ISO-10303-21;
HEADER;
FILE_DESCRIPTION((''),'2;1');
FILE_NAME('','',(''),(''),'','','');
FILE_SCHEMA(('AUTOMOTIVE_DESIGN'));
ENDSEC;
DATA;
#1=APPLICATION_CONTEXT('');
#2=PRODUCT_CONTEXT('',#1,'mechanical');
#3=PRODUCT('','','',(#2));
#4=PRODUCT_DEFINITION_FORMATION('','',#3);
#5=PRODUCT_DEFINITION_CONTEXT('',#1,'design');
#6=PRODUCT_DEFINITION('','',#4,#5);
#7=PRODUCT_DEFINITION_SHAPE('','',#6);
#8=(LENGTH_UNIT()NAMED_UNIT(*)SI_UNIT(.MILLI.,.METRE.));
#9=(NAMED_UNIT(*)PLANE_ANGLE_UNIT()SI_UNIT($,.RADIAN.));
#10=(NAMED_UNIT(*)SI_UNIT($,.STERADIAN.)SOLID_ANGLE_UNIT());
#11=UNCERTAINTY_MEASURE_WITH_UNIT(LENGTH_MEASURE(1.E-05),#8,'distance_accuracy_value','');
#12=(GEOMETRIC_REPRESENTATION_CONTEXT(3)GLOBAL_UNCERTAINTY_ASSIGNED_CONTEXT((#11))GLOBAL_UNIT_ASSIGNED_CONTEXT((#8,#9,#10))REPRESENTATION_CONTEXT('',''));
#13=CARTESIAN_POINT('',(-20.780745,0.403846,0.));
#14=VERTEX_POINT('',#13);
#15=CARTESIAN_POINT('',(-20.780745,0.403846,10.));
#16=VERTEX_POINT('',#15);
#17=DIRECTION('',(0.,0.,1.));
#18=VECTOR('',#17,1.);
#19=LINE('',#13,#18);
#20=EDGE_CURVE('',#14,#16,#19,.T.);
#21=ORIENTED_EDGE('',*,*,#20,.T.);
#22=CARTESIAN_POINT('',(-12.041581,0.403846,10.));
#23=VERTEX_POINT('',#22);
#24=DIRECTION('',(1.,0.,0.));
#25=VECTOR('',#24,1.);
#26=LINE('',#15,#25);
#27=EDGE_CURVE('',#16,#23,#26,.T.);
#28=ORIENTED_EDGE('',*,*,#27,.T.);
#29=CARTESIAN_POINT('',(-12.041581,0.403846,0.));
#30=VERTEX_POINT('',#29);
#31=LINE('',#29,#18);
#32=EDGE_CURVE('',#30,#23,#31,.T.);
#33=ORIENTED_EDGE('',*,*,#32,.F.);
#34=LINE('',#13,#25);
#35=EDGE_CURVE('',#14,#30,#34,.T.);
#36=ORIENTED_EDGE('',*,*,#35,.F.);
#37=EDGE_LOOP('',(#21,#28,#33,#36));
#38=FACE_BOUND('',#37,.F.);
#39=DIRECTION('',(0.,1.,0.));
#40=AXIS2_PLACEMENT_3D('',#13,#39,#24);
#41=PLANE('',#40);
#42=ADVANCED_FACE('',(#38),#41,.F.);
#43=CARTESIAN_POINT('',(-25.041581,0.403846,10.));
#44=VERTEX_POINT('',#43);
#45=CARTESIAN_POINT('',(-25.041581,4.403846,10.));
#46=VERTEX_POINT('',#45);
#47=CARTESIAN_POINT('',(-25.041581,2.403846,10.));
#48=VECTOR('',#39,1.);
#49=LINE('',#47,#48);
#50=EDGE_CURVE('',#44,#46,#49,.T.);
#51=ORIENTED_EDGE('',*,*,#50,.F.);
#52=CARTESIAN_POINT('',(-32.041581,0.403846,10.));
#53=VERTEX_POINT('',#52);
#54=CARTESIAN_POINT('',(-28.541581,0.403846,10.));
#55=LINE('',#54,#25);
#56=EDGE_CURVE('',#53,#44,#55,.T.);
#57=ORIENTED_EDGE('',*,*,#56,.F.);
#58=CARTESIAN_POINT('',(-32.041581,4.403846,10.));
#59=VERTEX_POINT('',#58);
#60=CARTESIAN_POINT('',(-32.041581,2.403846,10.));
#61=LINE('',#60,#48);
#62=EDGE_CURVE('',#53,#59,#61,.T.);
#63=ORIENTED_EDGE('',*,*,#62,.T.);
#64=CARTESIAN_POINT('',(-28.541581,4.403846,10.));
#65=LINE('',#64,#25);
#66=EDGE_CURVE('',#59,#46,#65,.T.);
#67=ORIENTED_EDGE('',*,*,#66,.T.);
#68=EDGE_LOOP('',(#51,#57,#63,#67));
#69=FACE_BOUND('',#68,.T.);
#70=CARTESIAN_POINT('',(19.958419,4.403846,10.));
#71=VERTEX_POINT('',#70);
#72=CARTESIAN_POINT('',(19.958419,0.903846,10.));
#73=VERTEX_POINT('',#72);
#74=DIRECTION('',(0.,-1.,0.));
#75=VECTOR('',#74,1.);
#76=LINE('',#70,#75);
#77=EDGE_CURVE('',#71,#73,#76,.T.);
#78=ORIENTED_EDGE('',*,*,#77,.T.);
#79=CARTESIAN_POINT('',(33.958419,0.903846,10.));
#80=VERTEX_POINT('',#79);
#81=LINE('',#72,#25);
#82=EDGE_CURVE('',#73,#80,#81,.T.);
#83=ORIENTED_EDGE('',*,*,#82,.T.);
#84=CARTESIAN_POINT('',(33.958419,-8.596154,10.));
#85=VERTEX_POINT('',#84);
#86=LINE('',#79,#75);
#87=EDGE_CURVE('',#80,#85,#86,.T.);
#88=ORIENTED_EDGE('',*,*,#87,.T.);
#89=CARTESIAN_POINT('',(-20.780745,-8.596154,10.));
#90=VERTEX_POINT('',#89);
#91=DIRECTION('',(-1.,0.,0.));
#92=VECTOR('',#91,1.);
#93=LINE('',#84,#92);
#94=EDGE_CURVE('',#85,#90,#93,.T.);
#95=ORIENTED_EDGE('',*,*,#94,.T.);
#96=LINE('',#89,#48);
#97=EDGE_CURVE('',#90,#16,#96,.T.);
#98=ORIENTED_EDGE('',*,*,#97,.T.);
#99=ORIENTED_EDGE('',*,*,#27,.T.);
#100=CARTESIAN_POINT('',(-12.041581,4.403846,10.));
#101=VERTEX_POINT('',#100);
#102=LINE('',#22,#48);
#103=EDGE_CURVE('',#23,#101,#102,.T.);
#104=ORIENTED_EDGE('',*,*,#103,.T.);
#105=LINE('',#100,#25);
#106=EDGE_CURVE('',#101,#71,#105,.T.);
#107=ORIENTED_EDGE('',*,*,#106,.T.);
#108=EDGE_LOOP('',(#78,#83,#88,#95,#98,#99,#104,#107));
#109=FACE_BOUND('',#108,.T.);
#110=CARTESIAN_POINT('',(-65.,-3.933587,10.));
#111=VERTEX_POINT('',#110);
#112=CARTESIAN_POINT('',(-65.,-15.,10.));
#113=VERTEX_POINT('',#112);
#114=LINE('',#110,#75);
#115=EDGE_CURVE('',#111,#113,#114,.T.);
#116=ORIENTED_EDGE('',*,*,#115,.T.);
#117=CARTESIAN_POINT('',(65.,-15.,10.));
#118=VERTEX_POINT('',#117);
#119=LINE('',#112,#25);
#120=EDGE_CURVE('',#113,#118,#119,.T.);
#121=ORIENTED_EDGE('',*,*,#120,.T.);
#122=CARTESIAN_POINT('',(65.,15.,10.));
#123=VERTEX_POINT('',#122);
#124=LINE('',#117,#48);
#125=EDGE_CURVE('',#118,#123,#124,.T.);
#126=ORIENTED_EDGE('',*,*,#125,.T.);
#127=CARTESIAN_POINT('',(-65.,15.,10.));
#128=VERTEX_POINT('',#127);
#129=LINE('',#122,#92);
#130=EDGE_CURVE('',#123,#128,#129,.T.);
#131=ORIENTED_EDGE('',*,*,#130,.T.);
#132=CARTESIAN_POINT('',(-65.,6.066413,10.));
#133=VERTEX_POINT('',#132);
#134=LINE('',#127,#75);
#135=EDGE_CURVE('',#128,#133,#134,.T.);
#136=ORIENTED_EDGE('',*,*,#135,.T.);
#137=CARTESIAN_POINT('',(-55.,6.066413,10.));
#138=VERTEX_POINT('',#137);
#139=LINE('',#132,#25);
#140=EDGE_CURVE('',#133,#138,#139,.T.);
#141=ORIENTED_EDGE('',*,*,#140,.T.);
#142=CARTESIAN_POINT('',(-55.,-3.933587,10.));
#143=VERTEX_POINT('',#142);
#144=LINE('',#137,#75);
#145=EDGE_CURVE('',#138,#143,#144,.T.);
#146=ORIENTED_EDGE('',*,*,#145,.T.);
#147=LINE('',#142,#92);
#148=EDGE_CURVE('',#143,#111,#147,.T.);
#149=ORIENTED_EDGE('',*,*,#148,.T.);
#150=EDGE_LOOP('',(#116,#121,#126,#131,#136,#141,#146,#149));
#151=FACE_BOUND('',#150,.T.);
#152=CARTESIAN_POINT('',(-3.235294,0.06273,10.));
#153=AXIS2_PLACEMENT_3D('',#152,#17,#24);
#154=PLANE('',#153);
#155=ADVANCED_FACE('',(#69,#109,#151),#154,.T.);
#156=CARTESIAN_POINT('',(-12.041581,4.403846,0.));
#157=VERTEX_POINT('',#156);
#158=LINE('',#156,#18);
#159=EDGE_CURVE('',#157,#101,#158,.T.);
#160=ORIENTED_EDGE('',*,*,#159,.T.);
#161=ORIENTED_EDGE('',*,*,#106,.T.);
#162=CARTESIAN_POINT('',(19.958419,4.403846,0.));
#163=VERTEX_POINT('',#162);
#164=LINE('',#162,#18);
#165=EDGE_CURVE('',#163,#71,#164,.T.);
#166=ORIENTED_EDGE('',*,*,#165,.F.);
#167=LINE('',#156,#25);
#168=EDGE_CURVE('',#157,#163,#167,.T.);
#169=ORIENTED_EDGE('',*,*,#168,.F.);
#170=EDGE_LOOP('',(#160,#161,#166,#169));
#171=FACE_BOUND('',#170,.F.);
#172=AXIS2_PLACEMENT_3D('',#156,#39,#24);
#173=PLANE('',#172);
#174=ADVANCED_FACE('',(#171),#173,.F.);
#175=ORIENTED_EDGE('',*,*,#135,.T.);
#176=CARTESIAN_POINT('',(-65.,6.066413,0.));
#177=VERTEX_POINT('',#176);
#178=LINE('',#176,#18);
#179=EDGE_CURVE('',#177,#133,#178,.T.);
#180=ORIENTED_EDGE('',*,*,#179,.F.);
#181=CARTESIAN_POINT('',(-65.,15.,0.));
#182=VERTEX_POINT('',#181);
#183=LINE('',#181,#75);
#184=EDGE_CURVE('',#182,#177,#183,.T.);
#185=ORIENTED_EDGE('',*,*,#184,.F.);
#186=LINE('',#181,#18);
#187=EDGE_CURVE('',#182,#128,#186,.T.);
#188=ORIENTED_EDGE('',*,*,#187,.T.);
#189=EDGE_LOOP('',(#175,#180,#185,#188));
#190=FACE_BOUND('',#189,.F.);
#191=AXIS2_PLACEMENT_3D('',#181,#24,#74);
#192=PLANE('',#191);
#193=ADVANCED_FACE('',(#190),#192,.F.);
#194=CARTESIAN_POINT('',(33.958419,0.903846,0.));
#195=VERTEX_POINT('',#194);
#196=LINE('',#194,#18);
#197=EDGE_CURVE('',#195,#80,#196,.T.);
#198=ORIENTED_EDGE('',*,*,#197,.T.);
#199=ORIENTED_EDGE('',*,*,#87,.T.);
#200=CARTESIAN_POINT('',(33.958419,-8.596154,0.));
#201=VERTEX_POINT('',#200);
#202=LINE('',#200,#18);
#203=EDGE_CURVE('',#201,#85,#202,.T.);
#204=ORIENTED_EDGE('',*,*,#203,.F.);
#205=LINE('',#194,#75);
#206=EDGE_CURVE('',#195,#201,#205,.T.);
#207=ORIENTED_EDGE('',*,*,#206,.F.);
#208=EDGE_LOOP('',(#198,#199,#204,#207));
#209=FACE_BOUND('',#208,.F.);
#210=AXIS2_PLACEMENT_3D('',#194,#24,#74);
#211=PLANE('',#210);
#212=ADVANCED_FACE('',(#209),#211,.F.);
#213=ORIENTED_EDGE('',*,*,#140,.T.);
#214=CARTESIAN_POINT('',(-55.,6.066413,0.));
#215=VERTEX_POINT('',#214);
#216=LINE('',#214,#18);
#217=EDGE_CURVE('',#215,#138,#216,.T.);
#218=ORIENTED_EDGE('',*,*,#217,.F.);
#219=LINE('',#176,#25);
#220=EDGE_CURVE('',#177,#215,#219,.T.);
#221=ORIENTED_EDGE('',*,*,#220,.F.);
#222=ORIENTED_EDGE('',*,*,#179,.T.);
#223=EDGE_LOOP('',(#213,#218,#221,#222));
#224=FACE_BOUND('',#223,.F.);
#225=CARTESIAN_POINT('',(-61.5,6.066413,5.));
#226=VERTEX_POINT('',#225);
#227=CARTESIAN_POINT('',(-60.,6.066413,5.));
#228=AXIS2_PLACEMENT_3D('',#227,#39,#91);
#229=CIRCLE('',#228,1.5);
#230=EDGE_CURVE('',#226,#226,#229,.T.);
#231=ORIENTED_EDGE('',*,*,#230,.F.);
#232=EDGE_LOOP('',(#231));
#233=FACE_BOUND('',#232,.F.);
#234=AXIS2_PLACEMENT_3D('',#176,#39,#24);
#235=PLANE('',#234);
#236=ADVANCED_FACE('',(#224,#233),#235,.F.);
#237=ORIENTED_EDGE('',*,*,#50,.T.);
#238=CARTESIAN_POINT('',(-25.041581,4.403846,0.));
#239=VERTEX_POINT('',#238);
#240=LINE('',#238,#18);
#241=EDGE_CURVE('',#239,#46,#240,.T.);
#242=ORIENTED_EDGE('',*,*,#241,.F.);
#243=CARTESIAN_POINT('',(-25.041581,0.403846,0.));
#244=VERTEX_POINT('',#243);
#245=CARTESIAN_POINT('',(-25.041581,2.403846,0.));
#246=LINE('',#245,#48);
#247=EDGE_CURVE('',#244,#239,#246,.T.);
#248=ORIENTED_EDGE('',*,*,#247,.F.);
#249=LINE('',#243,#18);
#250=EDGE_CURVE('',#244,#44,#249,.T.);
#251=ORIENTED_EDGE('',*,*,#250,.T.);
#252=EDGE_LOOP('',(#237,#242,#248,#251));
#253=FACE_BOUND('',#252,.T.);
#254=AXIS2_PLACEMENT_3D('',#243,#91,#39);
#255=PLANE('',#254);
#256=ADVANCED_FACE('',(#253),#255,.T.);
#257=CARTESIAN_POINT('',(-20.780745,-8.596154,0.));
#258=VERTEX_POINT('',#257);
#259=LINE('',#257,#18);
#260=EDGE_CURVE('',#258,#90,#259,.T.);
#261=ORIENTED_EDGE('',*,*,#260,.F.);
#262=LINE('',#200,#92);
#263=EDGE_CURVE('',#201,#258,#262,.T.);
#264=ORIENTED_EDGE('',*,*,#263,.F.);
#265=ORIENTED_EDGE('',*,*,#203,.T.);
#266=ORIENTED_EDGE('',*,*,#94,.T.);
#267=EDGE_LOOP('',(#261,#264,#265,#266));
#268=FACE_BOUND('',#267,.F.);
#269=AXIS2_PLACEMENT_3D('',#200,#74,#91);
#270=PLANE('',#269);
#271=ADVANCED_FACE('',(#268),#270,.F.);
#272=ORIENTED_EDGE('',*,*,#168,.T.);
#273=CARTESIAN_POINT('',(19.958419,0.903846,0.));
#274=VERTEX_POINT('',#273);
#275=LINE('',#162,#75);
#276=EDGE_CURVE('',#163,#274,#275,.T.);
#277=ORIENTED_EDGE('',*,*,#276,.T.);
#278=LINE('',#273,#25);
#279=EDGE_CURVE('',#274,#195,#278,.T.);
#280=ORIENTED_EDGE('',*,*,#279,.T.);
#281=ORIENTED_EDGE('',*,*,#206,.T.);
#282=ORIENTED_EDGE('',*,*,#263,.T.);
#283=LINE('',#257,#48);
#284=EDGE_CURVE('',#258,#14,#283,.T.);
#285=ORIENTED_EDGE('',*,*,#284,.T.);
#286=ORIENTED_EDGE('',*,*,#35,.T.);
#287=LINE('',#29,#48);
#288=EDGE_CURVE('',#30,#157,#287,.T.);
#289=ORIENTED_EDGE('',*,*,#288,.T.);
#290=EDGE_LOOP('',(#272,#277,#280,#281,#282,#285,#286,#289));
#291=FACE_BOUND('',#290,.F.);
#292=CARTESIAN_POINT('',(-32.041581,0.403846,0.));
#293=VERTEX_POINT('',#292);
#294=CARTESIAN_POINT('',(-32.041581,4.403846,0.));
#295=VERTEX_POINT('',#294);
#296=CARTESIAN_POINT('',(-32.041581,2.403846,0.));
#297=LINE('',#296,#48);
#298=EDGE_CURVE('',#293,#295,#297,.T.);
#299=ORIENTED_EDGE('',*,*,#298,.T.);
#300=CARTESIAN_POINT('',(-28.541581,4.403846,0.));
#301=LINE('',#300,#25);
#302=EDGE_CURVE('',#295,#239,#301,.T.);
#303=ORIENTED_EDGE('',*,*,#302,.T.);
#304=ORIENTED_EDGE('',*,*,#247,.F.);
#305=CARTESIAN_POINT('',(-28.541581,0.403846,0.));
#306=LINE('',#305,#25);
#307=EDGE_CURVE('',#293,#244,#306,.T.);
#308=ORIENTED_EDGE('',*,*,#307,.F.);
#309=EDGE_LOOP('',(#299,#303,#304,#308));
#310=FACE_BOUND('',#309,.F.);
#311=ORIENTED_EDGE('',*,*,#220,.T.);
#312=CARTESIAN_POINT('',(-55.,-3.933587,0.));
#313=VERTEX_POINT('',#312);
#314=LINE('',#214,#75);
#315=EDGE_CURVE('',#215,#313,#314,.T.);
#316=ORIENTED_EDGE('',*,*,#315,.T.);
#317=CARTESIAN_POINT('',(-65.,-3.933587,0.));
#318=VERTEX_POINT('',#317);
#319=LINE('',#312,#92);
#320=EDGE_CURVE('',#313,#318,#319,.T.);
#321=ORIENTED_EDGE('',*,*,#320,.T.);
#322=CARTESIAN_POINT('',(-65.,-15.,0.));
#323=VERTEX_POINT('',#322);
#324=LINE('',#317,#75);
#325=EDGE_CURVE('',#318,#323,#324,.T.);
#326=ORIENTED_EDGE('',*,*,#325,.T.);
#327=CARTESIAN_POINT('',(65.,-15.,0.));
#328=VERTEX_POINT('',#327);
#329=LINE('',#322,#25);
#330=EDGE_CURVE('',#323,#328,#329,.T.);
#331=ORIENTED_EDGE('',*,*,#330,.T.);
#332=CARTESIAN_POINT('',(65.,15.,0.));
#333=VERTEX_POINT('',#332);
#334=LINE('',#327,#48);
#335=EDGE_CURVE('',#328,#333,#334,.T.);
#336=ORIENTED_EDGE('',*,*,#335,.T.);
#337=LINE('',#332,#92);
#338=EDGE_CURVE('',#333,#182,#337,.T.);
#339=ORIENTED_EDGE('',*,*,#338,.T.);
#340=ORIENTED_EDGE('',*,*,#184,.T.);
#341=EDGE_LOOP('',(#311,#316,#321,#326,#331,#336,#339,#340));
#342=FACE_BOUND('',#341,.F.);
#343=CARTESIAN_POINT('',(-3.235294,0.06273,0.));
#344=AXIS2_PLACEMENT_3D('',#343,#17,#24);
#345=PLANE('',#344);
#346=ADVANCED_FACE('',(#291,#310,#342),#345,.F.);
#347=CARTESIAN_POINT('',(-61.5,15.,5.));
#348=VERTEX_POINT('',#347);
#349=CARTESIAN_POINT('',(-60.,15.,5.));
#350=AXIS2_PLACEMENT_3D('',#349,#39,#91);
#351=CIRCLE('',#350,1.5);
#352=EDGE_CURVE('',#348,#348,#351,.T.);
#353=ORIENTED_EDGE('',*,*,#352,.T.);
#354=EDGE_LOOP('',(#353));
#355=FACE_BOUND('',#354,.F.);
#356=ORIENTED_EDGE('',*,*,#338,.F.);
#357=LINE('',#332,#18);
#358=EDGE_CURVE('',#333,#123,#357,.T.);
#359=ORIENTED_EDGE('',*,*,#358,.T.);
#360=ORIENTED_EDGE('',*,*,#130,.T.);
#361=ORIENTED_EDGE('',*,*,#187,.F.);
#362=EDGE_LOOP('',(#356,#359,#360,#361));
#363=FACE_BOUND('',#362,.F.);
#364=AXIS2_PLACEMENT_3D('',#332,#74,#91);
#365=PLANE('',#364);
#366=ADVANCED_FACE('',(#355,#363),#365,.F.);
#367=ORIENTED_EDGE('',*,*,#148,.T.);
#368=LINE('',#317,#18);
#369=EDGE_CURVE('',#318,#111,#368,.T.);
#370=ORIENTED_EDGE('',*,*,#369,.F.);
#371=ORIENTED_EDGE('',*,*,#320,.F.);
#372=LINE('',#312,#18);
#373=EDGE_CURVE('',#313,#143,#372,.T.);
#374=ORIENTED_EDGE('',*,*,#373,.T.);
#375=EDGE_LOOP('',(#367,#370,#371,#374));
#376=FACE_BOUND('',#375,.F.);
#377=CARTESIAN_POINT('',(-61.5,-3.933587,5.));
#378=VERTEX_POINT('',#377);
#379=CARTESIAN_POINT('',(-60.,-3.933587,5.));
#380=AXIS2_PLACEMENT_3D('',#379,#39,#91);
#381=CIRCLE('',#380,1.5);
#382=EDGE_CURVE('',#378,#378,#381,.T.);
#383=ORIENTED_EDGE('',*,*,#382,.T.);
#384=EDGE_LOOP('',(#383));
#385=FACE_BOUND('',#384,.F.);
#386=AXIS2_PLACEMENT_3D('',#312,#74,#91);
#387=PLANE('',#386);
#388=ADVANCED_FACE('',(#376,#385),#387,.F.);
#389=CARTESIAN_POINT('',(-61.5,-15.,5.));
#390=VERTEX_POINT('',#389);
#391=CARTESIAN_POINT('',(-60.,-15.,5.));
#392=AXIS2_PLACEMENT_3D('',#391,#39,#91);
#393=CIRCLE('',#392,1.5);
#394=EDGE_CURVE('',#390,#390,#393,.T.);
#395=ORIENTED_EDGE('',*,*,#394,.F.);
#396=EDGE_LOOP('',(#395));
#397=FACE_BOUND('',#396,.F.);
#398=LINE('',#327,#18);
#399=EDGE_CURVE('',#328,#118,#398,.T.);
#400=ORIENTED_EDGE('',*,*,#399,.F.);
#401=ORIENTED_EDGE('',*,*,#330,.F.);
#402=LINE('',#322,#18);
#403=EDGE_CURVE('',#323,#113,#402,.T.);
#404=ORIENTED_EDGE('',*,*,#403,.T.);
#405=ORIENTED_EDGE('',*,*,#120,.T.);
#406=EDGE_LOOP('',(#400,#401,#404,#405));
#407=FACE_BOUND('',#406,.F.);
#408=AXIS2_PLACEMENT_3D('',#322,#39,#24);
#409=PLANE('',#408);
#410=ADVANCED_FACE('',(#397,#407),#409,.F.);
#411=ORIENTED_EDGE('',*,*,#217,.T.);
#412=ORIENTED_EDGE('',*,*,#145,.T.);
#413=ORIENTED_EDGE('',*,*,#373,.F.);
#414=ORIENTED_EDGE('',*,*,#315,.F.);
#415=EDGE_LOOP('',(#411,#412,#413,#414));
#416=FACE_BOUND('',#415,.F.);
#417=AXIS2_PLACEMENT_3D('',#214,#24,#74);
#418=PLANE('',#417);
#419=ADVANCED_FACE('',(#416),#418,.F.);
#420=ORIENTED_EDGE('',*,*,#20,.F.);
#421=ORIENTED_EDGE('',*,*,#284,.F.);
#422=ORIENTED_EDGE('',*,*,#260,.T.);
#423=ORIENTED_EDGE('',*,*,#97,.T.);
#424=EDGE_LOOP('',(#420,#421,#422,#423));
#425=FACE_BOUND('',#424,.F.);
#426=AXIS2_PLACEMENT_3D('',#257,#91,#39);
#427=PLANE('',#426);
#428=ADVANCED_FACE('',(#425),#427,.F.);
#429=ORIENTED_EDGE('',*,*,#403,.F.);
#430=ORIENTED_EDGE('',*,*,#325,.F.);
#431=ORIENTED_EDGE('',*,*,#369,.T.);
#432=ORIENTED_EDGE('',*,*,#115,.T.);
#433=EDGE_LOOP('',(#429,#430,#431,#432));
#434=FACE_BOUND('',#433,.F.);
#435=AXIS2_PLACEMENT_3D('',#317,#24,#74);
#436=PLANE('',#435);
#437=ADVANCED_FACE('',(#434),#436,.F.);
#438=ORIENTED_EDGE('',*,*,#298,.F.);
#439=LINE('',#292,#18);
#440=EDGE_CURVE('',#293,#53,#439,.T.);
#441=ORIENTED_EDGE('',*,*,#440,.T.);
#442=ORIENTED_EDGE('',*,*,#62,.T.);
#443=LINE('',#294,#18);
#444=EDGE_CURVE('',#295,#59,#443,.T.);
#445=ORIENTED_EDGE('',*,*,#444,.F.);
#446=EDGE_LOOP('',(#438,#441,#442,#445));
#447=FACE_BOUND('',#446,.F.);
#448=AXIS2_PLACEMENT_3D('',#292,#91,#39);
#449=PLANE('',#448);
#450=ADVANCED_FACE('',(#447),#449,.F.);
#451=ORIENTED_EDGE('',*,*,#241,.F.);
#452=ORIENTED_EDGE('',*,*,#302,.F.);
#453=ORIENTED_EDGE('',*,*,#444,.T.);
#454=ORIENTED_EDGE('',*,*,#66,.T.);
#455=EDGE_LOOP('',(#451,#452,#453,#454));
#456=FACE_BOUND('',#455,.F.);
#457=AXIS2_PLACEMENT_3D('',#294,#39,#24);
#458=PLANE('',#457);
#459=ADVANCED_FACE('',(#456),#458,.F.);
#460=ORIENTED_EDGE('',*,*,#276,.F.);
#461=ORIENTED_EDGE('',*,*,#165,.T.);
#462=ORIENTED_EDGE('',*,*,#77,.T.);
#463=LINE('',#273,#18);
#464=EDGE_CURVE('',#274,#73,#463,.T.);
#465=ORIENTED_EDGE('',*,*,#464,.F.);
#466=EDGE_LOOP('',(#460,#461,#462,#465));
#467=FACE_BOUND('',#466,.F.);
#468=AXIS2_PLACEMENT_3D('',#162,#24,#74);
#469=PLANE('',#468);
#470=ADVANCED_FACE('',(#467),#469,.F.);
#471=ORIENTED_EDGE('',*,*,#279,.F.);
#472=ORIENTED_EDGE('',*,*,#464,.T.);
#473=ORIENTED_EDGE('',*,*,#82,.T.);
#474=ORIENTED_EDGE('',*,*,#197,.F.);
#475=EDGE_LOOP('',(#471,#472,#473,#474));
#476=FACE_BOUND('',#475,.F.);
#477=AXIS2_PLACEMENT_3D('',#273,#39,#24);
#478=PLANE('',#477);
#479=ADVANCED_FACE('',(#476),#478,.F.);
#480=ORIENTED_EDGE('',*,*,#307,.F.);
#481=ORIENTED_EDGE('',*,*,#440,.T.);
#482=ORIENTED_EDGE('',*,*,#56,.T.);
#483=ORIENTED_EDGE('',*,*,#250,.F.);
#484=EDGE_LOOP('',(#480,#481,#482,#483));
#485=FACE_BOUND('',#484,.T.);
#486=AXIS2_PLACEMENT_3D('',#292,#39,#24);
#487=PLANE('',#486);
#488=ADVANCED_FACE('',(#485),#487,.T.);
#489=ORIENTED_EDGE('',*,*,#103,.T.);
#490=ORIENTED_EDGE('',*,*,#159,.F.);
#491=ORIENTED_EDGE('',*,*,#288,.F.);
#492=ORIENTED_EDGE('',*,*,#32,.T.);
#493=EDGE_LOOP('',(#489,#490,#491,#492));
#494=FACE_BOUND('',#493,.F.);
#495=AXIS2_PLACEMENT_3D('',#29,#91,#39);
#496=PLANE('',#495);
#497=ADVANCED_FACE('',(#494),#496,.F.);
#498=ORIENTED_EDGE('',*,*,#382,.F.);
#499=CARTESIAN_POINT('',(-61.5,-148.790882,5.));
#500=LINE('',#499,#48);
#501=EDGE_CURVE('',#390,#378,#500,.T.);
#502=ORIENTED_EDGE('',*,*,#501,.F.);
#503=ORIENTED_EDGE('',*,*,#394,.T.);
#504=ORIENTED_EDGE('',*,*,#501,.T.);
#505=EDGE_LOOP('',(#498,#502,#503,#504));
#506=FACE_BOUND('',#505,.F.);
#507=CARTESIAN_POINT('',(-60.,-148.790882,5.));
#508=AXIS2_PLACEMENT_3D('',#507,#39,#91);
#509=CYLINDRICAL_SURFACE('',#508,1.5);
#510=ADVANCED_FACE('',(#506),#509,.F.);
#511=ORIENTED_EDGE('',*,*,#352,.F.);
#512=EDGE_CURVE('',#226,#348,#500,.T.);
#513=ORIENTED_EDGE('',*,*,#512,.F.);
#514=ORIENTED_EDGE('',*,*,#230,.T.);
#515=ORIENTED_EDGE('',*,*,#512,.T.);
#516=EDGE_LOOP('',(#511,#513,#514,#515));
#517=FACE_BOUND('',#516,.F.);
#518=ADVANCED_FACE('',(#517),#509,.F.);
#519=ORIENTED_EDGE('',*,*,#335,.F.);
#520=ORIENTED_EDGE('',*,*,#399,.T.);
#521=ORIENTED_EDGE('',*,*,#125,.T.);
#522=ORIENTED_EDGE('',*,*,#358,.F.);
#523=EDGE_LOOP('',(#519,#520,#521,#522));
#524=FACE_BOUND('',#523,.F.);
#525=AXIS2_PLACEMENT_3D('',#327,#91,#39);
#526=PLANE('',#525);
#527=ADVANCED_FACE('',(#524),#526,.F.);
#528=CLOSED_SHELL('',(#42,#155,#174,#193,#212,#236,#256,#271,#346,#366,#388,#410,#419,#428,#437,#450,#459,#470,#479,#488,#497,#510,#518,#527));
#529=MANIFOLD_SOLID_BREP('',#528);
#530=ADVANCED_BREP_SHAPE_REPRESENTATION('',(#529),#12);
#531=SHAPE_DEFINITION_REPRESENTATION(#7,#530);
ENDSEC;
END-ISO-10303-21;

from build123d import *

# Parameters (mm, degrees)
F0_W     = 7
F0_H     = 4
F1_DEPTH = 10
F3_D     = 3


with BuildPart() as f1:
    # F0 (on Top) → F1 (new body)
    with BuildSketch(Plane.XY):
        Polygon((43, 15), (-43, 15), (-65, 15), (-65, 6.066413), (-55, 6.066413), (-55, -3.933587), (-65, -3.933587), (-65, -15), (-43, -15), (43, -15), (65, -15), (65, 15), align=None)
        Polygon((-20.780745, 0.403846), (-12.041581, 0.403846), (-12.041581, 4.403846), (19.958419, 4.403846), (19.958419, 0.903846), (33.958419, 0.903846), (33.958419, -8.596154), (-20.780745, -8.596154), align=None, mode=Mode.SUBTRACT)
        with Locations((-28.541581, 2.403846)):
            Rectangle(F0_W, F0_H, mode=Mode.SUBTRACT)
    extrude(amount=F1_DEPTH)

    # F3 (through all)
    with Locations(Plane.XZ.offset(15)):
        with Locations((-60, 5)):
            Hole(F3_D / 2)


solid = f1.part
